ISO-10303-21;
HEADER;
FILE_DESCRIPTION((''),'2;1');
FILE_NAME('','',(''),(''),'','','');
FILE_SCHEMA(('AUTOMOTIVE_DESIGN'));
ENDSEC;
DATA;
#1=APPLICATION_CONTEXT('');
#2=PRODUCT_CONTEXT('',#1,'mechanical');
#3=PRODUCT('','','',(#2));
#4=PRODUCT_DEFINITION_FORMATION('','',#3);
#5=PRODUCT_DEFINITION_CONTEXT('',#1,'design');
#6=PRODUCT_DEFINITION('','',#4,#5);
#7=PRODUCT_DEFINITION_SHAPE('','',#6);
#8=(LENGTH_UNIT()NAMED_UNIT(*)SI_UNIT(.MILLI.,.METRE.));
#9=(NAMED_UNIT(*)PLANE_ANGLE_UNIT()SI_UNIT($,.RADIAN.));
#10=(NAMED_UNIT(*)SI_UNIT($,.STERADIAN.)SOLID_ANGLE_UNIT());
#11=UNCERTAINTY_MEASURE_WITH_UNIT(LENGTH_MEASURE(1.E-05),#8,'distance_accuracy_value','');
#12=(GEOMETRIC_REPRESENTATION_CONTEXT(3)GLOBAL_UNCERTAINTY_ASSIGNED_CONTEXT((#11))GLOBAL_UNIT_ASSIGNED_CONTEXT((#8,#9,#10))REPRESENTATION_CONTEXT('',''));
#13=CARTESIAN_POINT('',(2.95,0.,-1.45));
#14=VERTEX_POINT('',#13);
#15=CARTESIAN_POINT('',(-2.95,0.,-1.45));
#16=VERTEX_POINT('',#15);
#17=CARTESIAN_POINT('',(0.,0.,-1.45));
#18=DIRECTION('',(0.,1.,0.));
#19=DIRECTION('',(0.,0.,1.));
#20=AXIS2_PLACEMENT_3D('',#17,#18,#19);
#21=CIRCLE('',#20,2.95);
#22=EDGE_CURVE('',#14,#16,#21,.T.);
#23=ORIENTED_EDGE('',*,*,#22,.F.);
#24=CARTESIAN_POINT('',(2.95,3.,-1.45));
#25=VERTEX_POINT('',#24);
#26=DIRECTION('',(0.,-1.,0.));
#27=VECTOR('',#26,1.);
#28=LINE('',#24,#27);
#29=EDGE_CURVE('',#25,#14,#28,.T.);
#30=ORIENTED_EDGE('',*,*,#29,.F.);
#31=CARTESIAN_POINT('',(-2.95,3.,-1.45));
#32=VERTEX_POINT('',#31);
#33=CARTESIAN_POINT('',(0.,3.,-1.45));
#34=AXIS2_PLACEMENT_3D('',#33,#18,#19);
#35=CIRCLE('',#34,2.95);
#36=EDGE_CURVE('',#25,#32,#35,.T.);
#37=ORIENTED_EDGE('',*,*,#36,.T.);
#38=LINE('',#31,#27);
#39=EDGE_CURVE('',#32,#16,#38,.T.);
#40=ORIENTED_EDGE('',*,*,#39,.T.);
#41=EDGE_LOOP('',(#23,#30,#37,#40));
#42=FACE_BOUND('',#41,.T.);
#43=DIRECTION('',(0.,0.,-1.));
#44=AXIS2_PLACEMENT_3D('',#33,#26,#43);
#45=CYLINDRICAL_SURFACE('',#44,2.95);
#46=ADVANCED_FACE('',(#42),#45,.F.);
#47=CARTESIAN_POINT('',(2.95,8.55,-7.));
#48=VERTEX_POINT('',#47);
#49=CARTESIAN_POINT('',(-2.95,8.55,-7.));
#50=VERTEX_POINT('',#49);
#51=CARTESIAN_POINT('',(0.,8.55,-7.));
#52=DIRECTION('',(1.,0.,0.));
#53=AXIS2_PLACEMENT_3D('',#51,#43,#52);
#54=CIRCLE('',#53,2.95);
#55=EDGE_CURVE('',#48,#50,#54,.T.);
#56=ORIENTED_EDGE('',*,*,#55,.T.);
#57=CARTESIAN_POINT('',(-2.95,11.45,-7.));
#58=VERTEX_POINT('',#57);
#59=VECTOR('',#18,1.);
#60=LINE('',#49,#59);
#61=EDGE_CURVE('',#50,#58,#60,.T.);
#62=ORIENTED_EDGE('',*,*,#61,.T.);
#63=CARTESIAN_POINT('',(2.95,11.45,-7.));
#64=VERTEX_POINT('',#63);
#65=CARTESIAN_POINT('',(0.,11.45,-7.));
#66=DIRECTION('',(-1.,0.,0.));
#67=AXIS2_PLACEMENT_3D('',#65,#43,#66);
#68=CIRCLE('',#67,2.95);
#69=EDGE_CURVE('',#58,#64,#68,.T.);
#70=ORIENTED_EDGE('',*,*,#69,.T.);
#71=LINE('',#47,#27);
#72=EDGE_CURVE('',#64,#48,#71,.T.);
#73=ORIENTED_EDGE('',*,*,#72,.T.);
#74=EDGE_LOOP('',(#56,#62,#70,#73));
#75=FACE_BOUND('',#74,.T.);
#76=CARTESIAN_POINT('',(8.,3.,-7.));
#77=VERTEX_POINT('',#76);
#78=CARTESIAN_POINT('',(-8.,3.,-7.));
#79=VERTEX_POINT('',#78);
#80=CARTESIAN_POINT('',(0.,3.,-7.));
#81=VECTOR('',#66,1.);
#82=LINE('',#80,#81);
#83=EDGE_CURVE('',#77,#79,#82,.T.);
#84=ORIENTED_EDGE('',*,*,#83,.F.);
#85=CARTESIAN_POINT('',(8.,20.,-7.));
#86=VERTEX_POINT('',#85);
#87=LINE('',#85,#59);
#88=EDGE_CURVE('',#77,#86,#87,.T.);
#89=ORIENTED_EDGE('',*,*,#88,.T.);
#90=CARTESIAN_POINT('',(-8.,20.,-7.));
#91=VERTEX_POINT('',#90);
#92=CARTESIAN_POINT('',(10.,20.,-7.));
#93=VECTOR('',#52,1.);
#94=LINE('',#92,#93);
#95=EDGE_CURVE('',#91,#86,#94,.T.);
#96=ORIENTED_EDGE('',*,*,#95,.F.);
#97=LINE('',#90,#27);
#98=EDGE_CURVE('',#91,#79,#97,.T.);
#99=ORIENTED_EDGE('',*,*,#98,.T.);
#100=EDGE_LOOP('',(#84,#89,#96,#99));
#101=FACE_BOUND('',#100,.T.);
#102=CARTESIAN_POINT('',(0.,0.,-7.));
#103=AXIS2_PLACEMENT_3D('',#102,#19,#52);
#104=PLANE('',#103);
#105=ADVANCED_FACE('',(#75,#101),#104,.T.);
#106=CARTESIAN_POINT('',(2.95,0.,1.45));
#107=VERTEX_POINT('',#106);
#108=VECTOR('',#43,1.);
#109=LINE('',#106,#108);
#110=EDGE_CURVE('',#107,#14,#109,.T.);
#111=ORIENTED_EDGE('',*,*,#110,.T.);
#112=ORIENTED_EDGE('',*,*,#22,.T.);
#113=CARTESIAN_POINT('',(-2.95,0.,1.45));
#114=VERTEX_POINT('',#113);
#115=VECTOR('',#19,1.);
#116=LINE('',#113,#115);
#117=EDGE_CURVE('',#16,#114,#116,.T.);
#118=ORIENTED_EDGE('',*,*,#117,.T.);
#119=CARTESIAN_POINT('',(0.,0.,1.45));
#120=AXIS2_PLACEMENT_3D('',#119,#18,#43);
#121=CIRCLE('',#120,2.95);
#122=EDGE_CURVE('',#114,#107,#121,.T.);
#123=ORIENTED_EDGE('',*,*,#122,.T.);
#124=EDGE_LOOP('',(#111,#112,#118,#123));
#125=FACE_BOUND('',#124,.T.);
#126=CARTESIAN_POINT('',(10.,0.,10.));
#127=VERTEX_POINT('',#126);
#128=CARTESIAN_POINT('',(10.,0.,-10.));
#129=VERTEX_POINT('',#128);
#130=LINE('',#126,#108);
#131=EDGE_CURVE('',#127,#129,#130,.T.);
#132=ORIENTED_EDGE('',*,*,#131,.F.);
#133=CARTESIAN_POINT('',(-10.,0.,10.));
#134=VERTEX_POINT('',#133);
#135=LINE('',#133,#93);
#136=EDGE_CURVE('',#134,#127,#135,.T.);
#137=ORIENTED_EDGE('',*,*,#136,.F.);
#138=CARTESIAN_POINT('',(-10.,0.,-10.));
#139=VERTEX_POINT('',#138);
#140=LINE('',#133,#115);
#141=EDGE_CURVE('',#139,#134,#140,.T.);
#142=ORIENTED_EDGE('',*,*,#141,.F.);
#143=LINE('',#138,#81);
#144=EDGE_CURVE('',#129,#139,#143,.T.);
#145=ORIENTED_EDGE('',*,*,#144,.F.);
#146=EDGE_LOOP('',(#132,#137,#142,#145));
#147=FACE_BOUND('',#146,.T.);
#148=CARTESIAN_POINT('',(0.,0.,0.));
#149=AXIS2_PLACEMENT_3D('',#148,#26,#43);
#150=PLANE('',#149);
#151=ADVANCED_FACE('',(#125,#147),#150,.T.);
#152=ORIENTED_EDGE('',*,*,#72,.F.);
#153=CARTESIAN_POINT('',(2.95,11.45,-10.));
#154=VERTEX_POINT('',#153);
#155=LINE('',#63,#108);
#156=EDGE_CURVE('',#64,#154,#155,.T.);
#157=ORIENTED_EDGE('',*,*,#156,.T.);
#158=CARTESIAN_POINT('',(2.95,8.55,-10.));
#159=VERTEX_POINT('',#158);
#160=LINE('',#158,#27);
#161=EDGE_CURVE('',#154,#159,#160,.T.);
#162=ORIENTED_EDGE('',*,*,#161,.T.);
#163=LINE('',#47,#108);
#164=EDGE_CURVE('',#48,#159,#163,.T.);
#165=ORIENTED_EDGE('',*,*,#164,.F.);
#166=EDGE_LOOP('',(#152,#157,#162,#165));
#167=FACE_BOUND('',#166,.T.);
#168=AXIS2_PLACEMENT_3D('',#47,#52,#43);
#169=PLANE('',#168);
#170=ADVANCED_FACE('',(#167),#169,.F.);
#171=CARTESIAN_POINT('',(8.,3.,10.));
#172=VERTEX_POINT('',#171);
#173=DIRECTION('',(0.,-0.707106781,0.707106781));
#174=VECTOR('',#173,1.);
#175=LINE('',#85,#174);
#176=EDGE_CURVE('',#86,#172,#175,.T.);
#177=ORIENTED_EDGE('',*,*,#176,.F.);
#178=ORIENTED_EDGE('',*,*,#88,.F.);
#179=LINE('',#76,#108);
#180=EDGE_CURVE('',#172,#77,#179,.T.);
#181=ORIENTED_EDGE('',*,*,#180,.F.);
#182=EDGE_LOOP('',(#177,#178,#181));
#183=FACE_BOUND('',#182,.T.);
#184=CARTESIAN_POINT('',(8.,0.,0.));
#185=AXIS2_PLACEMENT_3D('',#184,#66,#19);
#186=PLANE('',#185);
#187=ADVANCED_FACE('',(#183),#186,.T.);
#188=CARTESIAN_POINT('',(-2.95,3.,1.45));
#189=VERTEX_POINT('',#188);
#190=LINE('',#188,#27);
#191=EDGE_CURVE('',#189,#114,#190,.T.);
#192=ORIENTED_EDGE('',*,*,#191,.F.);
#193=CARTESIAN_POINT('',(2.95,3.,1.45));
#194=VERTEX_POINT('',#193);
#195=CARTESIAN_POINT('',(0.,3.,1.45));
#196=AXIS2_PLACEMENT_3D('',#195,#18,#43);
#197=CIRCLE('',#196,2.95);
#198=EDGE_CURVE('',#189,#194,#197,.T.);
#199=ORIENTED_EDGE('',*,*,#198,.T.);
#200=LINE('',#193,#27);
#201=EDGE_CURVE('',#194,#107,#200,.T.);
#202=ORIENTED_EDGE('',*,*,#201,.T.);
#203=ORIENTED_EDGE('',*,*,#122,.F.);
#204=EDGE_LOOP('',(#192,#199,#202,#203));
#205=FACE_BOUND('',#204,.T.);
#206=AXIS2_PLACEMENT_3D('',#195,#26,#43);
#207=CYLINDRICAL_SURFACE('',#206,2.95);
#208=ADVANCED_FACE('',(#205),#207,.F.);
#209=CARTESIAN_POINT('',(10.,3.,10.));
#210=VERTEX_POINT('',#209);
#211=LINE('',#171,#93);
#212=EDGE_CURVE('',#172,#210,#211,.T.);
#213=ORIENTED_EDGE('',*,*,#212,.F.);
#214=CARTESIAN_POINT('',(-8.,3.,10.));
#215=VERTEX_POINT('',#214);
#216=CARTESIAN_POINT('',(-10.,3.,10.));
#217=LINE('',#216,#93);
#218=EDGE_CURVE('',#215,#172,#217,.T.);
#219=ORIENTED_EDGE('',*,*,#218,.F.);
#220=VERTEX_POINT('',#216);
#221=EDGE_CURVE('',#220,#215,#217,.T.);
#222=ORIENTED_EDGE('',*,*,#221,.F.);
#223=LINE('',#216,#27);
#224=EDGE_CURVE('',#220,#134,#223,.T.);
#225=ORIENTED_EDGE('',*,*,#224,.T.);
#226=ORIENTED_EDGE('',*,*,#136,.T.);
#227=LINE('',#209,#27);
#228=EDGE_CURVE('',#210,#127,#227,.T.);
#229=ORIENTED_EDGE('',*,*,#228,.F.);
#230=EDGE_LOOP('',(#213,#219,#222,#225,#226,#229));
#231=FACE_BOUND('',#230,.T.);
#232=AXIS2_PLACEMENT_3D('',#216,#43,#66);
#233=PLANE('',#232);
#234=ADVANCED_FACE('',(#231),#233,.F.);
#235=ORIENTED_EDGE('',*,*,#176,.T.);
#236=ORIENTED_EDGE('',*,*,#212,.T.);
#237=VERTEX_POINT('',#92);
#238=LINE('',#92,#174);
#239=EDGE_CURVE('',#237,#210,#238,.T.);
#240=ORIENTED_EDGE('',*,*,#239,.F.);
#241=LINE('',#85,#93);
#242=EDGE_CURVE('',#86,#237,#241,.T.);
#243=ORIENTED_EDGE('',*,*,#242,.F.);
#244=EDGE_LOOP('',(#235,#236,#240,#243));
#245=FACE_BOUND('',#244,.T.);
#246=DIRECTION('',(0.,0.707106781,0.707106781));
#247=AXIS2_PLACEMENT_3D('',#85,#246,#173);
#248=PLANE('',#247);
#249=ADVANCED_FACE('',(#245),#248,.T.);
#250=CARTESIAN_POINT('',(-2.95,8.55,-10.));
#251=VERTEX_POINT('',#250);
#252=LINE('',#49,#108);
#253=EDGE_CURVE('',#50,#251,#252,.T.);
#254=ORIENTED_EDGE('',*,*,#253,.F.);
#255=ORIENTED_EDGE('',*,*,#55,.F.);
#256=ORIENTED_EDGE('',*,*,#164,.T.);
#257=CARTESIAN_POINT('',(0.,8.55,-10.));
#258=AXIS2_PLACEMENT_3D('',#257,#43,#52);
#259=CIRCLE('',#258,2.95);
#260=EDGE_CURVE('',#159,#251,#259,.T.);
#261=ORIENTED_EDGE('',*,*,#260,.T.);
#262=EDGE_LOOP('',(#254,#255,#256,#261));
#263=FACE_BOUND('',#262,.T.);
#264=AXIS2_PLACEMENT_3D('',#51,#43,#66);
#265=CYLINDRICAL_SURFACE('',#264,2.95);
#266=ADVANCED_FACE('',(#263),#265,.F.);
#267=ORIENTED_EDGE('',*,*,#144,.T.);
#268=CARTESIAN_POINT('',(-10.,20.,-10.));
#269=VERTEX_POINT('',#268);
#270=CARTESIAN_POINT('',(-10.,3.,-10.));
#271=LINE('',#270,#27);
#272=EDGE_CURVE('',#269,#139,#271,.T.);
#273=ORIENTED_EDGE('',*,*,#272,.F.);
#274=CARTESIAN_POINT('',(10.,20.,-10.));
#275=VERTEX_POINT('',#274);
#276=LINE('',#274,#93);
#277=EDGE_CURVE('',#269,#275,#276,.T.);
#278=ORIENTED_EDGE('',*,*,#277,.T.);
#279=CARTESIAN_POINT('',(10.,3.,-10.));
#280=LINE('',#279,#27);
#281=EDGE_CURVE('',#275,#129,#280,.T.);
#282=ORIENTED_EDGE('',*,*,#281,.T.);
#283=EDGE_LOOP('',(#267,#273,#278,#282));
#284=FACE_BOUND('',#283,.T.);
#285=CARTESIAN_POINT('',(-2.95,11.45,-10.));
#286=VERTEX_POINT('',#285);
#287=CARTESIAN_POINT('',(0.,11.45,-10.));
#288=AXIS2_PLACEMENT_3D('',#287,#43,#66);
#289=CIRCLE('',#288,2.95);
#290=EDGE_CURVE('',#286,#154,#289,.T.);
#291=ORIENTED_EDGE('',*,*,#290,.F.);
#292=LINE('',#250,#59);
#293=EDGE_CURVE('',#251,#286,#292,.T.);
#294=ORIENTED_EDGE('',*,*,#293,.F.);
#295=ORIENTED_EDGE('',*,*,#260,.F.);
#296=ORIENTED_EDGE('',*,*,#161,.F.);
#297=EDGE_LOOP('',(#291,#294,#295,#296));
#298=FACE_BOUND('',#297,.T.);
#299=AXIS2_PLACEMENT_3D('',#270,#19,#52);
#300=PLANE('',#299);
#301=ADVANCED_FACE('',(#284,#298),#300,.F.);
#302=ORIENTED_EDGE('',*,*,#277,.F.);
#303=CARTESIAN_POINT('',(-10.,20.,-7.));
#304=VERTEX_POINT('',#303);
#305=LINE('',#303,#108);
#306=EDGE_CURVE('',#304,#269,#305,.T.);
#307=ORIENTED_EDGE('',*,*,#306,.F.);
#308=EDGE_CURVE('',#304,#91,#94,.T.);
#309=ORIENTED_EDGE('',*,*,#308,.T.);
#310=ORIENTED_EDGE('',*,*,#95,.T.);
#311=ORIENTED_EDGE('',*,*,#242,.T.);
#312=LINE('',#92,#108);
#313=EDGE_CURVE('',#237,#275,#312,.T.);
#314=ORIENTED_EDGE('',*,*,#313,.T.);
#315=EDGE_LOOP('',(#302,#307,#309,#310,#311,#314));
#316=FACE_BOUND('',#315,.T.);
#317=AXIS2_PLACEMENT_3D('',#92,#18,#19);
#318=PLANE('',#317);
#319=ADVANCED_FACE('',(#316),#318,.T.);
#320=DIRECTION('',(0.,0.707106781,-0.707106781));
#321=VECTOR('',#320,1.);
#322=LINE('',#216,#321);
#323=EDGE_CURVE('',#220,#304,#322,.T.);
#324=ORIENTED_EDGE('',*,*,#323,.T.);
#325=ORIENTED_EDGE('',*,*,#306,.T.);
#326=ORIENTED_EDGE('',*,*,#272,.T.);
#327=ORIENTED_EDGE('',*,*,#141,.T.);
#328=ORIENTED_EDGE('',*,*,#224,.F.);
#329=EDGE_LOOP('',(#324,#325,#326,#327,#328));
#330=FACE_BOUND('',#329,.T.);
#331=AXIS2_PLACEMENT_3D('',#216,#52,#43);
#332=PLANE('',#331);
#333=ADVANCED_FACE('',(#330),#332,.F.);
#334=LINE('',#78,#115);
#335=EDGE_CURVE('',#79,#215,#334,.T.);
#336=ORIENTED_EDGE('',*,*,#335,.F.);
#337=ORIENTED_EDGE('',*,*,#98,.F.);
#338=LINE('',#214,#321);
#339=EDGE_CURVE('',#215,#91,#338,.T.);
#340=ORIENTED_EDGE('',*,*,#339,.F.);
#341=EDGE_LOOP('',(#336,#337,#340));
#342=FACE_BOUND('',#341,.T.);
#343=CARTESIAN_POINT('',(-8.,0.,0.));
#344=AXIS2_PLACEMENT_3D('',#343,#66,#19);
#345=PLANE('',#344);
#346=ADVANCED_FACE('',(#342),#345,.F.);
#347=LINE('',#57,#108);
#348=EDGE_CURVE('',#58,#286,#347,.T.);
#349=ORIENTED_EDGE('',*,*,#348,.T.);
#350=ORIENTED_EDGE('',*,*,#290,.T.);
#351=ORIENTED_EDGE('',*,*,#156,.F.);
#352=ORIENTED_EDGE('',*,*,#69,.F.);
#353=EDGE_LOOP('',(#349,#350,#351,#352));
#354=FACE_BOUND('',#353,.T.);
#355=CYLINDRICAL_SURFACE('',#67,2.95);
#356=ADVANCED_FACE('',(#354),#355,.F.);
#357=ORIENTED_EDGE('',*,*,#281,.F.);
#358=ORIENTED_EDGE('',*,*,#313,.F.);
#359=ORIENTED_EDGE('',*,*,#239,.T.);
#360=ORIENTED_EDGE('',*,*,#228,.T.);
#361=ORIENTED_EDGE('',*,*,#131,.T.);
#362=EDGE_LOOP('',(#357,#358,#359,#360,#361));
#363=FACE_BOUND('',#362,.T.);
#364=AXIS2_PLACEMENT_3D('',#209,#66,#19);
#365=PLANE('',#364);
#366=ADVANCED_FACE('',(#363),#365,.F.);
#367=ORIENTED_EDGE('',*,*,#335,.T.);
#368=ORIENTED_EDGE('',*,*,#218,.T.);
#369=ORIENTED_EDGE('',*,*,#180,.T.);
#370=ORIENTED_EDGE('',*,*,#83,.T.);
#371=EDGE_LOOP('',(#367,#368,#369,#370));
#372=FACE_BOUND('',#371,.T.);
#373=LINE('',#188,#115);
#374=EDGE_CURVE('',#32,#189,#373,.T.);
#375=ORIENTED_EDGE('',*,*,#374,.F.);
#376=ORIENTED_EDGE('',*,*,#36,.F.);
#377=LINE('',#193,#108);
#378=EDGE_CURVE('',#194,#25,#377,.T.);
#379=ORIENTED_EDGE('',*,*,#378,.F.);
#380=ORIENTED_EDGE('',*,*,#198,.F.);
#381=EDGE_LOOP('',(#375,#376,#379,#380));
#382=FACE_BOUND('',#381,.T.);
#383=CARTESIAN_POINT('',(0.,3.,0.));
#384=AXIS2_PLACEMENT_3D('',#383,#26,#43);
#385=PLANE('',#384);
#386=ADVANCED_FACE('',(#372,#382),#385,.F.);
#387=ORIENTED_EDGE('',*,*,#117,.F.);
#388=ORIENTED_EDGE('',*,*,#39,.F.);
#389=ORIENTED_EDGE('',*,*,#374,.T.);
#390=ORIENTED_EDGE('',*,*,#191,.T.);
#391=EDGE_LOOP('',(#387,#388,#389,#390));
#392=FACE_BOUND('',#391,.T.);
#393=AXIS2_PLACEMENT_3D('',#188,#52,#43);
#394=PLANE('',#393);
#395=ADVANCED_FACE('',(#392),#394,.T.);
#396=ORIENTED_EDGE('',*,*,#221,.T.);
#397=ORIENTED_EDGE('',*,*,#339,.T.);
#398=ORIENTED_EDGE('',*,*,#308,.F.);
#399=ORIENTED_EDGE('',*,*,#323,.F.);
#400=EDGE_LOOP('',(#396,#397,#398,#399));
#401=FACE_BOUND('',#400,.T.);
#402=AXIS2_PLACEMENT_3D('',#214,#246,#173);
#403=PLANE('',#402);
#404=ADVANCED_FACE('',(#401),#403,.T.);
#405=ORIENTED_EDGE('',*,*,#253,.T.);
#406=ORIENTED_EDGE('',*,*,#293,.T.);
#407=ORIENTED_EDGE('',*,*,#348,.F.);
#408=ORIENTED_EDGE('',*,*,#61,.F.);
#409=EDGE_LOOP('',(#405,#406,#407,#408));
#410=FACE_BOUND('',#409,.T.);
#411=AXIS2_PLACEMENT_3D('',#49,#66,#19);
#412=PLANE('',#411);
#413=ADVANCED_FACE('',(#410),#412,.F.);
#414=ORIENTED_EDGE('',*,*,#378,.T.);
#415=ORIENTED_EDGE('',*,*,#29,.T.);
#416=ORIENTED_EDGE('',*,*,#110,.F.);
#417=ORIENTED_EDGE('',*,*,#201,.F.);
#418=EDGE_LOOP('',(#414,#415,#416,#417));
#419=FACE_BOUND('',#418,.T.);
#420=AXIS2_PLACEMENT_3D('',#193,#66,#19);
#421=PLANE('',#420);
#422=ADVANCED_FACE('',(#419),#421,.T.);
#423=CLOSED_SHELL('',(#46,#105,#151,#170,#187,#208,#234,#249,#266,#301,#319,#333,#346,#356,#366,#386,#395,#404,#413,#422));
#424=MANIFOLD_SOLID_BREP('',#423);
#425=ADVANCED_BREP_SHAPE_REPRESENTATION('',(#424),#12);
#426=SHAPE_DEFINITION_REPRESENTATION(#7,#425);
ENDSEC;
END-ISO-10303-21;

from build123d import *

# Parameters (mm, degrees)
SKETCH1_W           = 20
SKETCH1_H           = 20
BOSS_EXTRUDE1_DEPTH = 3
SKETCH2_W           = 20
SKETCH2_H           = 20
BOSS_EXTRUDE2_DEPTH = 3
BOSS_EXTRUDE3_DEPTH = 2
BOSS_EXTRUDE4_DEPTH = 2


with BuildPart() as part:
    # Sketch1 → Boss-Extrude1 (new body)
    with BuildSketch(Plane(origin=(0, 0, 0), x_dir=(1, 0, 0), z_dir=(0, 1, 0))):
        Rectangle(SKETCH1_W, SKETCH1_H)
        with BuildLine():
            Line((-2.95, -1.45), (-2.95, 1.45))
            ThreePointArc((-2.95, 1.45), (0, 4.4), (2.95, 1.45))
            Line((2.95, 1.45), (2.95, -1.45))
            ThreePointArc((2.95, -1.45), (0, -4.4), (-2.95, -1.45))
        make_face(mode=Mode.SUBTRACT)
    extrude(amount=BOSS_EXTRUDE1_DEPTH)

    # Sketch2 → Boss-Extrude2 (add)
    with BuildSketch(Plane(origin=(0, 0, -10), x_dir=(-1, 0, 0), z_dir=(0, 0, -1))):
        with Locations((0, 10)):
            Rectangle(SKETCH2_W, SKETCH2_H)
        with BuildLine():
            Line((-2.95, 8.55), (-2.95, 11.45))
            ThreePointArc((-2.95, 11.45), (0, 14.4), (2.95, 11.45))
            Line((2.95, 11.45), (2.95, 8.55))
            ThreePointArc((2.95, 8.55), (0, 5.6), (-2.95, 8.55))
        make_face(mode=Mode.SUBTRACT)
    extrude(amount=-BOSS_EXTRUDE2_DEPTH)

    # Sketch3 → Boss-Extrude3 (add)
    with BuildSketch(Plane(origin=(10, 0, 0), x_dir=(0, 0, -1), z_dir=(1, 0, 0))):
        Polygon((7, 20), (-10, 3), (7, 3), align=None)
    extrude(amount=-BOSS_EXTRUDE3_DEPTH)

    # Sketch4 → Boss-Extrude4 (add)
    with BuildSketch(Plane.ZY.offset(10)):
        Polygon((-7, 20), (-7, 3), (10, 3), align=None)
    extrude(amount=-BOSS_EXTRUDE4_DEPTH)


solid = part.part
